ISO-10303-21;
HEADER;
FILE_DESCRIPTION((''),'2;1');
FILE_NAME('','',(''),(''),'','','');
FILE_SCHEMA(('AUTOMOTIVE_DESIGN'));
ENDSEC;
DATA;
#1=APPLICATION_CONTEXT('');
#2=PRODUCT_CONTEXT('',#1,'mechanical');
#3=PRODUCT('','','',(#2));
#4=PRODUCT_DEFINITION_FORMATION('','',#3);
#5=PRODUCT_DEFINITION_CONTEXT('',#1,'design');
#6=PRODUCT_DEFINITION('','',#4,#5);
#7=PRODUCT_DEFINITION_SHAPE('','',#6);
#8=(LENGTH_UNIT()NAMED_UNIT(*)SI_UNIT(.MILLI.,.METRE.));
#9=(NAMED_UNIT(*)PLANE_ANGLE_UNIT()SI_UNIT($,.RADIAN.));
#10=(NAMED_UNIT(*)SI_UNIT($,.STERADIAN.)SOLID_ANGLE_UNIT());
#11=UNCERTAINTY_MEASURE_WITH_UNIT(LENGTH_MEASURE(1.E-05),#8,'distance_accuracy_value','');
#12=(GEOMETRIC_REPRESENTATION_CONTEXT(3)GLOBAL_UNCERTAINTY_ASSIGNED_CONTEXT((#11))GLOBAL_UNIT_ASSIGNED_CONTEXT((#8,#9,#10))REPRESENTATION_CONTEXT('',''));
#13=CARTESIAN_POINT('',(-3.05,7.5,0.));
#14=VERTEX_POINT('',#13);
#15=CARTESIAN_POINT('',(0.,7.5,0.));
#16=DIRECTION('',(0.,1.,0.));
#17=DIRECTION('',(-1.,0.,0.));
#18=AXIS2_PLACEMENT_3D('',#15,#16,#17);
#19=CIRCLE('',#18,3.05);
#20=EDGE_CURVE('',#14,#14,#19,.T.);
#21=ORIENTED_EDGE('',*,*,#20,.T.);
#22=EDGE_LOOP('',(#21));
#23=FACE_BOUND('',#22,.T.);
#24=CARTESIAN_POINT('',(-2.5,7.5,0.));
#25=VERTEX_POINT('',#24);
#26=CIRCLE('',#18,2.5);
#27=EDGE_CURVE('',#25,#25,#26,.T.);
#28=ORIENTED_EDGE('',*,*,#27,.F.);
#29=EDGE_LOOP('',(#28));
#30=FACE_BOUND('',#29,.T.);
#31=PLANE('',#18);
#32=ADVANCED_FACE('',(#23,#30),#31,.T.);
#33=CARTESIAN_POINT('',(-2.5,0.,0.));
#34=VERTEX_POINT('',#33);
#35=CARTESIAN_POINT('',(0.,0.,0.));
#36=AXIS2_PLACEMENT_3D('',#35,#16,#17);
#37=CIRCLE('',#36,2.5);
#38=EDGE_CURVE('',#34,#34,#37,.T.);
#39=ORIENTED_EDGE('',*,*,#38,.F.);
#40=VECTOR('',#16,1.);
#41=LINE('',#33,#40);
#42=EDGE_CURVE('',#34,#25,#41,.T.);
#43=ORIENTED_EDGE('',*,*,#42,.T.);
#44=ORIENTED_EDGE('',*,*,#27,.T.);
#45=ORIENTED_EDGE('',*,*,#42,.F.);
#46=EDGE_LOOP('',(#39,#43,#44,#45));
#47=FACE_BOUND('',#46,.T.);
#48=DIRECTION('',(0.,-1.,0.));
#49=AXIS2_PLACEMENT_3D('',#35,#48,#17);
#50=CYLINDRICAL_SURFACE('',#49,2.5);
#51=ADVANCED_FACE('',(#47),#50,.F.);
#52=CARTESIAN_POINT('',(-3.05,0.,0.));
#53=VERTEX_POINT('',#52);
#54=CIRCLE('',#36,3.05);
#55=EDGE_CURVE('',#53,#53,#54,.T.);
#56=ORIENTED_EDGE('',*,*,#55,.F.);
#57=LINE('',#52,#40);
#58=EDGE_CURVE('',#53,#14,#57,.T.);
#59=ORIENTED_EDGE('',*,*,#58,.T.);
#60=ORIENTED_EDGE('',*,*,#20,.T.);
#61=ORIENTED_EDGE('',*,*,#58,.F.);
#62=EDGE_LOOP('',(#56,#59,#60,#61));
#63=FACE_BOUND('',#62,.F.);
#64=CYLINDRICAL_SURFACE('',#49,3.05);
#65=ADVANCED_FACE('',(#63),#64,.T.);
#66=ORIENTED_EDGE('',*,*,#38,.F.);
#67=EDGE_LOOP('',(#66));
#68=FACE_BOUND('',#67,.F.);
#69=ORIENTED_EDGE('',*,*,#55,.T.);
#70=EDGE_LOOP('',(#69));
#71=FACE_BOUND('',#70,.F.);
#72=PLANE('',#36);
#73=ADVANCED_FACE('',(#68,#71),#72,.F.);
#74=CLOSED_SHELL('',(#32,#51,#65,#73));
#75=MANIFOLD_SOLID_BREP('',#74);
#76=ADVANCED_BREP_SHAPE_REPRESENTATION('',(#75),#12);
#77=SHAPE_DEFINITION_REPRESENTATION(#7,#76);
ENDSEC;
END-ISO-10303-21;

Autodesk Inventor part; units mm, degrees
ref_plane "YZ Plane" through (0, 0, 0) normal (1, 0, 0) x (0, 1, 0)
ref_plane "XZ Plane" through (0, 0, 0) normal (0, 1, 0) x (-1, 0, 0)
ref_plane "XY Plane" through (0, 0, 0) normal (0, 0, 1) x (1, 0, 0)
sketch "Sketch1" plane through (0, 0, 0) normal (0, 1, 0) x (-1, 0, 0)
  circle A0 centre (0, 0) radius 2.5
  circle A1 centre (0, 0) radius 3.05
  dimension "d0" = 5
  dimension "d1" = 6.1
  dimension "d2" = 0.55
extrude "Extrusion1" add sketch "Sketch1" along normal blind 7.5
properties part number "M6_tap_sleeve"
